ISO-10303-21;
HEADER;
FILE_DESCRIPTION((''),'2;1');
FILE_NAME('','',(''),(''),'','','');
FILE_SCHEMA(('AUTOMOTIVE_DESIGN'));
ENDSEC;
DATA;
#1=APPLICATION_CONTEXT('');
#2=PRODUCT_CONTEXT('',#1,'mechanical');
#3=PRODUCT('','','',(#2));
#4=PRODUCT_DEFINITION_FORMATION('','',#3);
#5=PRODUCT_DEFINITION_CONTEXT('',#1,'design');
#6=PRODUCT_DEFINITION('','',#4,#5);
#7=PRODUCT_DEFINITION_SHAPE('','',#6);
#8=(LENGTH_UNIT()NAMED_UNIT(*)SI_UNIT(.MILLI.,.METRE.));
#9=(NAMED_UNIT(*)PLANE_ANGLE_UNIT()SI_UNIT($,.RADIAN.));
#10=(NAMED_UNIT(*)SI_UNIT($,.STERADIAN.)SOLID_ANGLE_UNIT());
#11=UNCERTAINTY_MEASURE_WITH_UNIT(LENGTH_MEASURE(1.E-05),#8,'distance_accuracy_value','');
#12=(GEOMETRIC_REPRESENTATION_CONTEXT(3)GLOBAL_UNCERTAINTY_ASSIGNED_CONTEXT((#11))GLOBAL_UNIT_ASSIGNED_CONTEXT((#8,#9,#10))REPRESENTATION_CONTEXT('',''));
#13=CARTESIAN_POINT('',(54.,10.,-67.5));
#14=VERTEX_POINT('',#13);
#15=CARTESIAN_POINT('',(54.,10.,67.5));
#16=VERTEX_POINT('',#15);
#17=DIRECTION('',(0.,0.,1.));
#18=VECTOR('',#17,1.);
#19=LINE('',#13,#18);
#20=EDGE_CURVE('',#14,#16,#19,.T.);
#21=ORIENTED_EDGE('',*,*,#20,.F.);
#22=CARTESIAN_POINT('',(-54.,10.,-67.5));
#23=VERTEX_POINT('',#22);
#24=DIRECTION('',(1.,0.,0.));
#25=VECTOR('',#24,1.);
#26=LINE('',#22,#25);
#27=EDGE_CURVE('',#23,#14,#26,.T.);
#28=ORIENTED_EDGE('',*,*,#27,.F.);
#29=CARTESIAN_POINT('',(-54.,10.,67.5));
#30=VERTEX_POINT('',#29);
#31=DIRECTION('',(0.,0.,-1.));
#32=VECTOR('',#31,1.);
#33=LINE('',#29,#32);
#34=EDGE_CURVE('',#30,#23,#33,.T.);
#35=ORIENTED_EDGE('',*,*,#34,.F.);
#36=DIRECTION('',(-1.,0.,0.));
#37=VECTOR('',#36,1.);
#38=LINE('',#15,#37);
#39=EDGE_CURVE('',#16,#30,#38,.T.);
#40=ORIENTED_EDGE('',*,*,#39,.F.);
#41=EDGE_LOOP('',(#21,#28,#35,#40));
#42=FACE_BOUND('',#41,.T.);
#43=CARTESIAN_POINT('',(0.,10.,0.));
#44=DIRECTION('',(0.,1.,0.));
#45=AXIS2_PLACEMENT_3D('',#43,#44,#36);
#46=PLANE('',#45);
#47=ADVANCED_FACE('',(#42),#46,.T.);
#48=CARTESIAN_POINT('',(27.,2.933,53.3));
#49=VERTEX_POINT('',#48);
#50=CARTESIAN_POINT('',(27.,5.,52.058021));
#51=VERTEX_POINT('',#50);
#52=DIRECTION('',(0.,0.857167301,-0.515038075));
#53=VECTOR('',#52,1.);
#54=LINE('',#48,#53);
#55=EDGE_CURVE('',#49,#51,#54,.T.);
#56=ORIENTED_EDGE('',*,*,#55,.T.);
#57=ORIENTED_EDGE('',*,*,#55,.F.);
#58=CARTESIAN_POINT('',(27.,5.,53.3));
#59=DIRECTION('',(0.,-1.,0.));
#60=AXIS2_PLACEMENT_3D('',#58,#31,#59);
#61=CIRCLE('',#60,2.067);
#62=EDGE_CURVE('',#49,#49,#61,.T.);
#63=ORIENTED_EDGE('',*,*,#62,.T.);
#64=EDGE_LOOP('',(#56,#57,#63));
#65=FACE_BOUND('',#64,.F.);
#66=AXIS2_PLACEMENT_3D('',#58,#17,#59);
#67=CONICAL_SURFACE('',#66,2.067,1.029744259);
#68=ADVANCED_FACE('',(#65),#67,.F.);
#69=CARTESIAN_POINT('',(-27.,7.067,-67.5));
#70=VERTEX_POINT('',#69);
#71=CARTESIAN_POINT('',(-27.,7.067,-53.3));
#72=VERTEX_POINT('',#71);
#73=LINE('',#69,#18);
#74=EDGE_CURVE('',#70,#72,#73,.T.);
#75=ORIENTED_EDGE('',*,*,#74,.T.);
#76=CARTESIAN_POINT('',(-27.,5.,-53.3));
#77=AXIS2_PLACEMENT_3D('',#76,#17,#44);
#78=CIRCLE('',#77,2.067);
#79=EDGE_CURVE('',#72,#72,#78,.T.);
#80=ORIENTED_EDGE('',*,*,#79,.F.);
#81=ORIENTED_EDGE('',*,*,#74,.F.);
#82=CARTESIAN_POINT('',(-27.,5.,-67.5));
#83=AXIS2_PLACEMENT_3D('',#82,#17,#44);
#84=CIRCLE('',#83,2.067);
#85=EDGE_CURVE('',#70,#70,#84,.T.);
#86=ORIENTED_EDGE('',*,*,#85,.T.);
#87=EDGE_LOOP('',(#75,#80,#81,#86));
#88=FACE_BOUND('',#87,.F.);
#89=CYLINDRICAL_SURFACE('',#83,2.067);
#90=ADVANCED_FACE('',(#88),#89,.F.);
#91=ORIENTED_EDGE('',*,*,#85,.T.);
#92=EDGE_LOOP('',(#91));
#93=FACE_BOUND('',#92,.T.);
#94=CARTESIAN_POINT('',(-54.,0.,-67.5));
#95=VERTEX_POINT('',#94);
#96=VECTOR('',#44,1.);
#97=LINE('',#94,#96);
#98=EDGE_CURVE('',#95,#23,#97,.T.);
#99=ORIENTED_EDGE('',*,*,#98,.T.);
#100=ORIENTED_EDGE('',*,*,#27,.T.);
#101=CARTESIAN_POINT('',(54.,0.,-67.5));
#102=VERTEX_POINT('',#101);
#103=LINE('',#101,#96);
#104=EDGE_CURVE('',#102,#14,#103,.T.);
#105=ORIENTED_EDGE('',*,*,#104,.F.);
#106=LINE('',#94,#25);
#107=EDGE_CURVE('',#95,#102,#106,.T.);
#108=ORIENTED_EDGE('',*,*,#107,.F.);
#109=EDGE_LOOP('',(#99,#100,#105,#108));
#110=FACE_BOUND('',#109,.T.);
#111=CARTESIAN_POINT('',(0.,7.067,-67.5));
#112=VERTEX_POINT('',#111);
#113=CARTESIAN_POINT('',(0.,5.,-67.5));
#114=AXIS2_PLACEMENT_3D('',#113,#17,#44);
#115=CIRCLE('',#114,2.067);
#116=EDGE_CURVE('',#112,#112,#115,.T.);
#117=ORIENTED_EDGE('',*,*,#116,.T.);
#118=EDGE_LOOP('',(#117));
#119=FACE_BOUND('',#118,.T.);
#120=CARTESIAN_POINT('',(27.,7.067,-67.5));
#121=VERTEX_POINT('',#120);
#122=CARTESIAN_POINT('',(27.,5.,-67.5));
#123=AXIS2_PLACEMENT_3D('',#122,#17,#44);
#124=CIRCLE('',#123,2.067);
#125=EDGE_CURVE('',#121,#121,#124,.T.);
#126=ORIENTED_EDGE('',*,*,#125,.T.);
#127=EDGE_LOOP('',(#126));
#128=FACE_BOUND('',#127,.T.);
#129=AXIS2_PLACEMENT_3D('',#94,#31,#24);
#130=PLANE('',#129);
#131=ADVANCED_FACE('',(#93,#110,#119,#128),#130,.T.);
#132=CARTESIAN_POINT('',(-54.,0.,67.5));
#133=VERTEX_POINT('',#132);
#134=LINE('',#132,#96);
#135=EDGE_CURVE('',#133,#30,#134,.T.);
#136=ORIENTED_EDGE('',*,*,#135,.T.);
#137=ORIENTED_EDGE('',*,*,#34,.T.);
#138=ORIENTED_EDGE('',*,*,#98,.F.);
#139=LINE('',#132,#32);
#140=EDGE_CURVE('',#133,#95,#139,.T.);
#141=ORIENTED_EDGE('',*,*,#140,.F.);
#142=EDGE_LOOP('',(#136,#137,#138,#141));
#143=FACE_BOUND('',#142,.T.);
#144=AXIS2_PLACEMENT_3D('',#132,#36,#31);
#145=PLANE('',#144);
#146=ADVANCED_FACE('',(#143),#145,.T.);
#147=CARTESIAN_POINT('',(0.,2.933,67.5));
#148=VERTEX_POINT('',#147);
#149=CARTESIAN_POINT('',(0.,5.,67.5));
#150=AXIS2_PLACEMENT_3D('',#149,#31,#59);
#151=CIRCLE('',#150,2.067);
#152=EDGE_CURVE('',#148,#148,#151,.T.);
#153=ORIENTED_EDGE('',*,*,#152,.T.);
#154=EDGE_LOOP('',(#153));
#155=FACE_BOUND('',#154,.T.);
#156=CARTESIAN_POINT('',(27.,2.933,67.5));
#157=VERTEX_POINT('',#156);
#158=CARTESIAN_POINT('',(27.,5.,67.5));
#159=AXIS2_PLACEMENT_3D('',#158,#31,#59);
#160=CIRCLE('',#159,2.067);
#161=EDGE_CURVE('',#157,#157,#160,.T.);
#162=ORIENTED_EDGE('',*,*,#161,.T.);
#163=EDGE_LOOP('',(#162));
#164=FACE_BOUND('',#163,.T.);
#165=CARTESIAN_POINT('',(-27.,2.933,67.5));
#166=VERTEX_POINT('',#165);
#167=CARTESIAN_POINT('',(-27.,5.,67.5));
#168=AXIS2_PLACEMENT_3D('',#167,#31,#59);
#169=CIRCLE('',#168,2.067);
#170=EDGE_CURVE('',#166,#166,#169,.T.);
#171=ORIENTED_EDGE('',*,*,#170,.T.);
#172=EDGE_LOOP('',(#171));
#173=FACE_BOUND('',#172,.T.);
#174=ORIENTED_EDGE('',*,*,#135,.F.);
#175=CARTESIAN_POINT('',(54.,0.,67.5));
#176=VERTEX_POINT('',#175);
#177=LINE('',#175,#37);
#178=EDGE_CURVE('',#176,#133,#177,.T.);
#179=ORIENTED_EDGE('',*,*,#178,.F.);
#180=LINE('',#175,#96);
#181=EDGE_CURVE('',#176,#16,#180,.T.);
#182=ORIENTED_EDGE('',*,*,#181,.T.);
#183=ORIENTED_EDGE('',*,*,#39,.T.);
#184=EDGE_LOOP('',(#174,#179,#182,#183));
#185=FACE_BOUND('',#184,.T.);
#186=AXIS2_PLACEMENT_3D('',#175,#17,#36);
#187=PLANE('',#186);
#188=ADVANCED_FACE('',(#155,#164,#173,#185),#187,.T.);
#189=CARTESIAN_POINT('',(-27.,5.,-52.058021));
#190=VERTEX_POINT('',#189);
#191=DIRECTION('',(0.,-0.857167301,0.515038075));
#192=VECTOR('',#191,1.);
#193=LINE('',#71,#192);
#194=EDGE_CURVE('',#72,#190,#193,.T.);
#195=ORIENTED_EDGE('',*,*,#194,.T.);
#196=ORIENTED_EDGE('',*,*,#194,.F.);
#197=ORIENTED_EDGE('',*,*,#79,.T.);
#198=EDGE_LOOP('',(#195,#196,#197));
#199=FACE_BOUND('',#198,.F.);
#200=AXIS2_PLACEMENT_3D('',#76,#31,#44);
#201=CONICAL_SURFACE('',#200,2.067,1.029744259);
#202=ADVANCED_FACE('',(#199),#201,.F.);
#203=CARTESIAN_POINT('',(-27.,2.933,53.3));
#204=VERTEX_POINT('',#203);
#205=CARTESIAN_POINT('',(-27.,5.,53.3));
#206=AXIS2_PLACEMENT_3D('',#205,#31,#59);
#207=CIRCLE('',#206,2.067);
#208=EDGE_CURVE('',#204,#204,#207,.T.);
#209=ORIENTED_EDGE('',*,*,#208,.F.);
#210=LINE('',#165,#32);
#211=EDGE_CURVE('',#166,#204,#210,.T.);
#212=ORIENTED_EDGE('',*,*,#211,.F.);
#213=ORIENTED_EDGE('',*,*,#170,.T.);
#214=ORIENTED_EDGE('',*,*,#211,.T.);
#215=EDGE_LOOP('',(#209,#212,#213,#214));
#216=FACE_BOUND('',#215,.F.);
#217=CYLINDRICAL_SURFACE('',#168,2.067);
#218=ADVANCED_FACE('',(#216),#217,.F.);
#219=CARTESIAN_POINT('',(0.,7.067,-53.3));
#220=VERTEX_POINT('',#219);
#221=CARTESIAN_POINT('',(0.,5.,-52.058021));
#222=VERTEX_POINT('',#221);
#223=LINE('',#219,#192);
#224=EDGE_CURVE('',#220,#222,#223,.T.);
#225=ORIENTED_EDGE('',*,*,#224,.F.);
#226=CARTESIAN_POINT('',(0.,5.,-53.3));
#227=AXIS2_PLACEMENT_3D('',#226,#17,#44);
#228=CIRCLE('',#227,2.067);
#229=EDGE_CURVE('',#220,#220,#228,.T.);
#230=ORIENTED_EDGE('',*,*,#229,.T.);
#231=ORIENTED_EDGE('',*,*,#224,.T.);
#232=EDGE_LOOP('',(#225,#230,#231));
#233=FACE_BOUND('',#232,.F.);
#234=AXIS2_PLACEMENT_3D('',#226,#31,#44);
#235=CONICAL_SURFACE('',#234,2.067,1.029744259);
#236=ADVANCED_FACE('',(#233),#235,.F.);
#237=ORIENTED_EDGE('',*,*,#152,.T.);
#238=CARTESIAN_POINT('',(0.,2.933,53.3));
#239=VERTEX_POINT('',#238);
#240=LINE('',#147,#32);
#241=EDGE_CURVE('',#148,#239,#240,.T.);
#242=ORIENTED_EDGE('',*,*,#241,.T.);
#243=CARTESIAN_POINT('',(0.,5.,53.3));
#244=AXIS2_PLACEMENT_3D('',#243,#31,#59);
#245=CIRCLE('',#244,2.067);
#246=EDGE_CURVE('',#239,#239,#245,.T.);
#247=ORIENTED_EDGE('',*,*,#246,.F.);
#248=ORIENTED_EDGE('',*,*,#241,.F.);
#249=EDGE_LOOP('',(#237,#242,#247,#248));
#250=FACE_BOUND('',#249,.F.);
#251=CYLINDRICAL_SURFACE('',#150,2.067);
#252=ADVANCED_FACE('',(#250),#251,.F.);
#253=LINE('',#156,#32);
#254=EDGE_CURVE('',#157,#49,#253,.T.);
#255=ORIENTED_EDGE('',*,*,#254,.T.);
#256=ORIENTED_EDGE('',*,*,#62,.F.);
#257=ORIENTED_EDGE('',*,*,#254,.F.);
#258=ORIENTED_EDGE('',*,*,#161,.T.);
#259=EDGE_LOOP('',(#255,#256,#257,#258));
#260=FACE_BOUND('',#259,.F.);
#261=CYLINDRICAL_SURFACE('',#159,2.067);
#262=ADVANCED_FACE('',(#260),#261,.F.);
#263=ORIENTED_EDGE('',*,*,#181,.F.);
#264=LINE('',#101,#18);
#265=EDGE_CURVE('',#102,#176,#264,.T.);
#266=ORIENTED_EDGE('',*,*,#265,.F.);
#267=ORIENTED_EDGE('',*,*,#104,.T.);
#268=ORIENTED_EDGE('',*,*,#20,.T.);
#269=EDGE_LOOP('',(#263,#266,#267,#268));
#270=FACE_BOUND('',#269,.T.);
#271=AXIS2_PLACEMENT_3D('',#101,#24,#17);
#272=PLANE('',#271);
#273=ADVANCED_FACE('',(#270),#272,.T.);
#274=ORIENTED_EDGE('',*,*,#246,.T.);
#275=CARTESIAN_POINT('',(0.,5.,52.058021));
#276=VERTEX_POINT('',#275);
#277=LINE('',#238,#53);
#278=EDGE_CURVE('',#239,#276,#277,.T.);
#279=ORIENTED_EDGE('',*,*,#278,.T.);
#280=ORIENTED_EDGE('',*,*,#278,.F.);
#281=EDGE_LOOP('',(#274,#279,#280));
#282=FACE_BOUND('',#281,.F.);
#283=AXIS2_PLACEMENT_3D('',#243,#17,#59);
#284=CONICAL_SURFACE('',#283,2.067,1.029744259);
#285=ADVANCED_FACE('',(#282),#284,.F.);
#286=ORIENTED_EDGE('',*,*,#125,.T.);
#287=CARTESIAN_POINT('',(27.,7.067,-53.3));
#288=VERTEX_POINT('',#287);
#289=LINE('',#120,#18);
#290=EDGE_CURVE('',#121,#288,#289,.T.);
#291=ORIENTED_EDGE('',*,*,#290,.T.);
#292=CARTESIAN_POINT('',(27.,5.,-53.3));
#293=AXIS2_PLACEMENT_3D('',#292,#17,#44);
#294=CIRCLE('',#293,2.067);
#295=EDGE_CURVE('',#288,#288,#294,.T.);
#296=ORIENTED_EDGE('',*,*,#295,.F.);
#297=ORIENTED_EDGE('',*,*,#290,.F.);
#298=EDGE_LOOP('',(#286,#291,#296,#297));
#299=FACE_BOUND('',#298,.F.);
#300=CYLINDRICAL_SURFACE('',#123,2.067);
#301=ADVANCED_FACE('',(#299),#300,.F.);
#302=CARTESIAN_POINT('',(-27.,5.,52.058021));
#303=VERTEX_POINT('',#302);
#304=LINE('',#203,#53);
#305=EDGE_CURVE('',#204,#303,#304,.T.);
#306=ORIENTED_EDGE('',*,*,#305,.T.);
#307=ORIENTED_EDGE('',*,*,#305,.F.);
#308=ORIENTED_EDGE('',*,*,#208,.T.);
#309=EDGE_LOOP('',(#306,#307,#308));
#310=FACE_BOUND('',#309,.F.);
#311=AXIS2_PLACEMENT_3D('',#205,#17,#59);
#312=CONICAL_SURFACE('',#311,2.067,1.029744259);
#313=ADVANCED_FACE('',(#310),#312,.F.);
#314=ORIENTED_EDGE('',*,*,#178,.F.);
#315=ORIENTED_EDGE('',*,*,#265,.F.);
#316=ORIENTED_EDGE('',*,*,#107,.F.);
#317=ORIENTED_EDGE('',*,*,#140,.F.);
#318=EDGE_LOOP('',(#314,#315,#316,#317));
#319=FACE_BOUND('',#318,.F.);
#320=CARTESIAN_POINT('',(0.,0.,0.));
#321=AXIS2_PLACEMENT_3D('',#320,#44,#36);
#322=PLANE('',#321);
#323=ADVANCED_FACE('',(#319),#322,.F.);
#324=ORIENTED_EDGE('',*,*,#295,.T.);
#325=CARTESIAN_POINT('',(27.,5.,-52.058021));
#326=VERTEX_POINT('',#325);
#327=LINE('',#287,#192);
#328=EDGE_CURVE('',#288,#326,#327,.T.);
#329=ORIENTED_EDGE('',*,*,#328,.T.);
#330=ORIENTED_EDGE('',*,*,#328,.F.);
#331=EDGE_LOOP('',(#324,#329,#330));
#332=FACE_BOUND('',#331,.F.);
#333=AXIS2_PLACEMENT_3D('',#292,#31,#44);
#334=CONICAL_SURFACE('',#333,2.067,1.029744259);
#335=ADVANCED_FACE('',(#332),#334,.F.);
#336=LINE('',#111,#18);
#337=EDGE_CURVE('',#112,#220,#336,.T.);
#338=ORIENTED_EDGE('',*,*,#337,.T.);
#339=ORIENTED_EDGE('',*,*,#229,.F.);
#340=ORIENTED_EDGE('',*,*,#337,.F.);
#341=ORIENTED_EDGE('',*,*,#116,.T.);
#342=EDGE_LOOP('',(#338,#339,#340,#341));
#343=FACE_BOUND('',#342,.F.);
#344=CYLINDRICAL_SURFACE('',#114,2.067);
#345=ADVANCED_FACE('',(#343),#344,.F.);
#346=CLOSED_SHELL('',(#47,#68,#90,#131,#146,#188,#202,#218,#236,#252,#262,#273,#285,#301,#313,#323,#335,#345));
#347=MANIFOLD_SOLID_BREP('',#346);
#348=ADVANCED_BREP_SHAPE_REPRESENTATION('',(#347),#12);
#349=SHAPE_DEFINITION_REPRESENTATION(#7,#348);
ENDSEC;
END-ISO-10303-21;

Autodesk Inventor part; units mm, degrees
ref_plane "YZ Plane" through (0, 0, 0) normal (1, 0, 0) x (0, 1, 0)
ref_plane "XZ Plane" through (0, 0, 0) normal (0, 1, 0) x (-1, 0, 0)
ref_plane "XY Plane" through (0, 0, 0) normal (0, 0, 1) x (1, 0, 0)
sketch "Sketch1" plane through (0, 0, 0) normal (0, 1, 0) x (-1, 0, 0)
  line L0 (54, -67.5) -> (-54, -67.5)
  line L1 (-54, -67.5) -> (-54, 67.5)
  line L2 (-54, 67.5) -> (54, 67.5)
  line L3 (54, 67.5) -> (54, -67.5)
  line L4 (0, -94.5) -> (0, 94.5) construction
  line L5 (-75.6, 0) -> (75.6, 0) construction
  point P0 (0, 0)
  dimension "d0" = 108
  dimension "d1" = 135
extrude "Extrusion1" add sketch "Sketch1" along normal blind 10
sketch "Sketch2" plane through (-54, 0, 67.5) normal (0, 0, 1) x (1, 0, 0)
  line L0 (108, 10) -> (0, 10) projected
  line L1 (54, 10) -> (54, 0) construction
  line L2 (3.9342, 5) -> (111.9342, 5) construction
  point P0 (54, 5)
  point P1 (81, 5)
  point P2 (27, 5)
  dimension "d4" = 54
hole "Hole1" at (0, 5, 67.5) at (27, 5, 67.5) at (-27, 5, 67.5) direction (0, 0, -1) diameter 4.134 depth 14.2 tip angle 118 thread size "M5x0.8" class "6H" standard "ISO Metric profile"
sketch "Sketch3" plane through (54, 0, -67.5) normal (0, 0, -1) x (-1, 0, 0)
  point P0 (54, 0)
  point P1 (27, 5)
  point P2 (54, 5)
  point P3 (81, 5)
hole "Hole2" at (27, 5, -67.5) at (0, 5, -67.5) at (-27, 5, -67.5) direction (0, 0, 1) diameter 4.134 depth 14.2 tip angle 118 thread size "M5x0.8" class "6H" standard "ISO Metric profile"
properties part number "motor_base_plate" material "Aluminum 6061"
